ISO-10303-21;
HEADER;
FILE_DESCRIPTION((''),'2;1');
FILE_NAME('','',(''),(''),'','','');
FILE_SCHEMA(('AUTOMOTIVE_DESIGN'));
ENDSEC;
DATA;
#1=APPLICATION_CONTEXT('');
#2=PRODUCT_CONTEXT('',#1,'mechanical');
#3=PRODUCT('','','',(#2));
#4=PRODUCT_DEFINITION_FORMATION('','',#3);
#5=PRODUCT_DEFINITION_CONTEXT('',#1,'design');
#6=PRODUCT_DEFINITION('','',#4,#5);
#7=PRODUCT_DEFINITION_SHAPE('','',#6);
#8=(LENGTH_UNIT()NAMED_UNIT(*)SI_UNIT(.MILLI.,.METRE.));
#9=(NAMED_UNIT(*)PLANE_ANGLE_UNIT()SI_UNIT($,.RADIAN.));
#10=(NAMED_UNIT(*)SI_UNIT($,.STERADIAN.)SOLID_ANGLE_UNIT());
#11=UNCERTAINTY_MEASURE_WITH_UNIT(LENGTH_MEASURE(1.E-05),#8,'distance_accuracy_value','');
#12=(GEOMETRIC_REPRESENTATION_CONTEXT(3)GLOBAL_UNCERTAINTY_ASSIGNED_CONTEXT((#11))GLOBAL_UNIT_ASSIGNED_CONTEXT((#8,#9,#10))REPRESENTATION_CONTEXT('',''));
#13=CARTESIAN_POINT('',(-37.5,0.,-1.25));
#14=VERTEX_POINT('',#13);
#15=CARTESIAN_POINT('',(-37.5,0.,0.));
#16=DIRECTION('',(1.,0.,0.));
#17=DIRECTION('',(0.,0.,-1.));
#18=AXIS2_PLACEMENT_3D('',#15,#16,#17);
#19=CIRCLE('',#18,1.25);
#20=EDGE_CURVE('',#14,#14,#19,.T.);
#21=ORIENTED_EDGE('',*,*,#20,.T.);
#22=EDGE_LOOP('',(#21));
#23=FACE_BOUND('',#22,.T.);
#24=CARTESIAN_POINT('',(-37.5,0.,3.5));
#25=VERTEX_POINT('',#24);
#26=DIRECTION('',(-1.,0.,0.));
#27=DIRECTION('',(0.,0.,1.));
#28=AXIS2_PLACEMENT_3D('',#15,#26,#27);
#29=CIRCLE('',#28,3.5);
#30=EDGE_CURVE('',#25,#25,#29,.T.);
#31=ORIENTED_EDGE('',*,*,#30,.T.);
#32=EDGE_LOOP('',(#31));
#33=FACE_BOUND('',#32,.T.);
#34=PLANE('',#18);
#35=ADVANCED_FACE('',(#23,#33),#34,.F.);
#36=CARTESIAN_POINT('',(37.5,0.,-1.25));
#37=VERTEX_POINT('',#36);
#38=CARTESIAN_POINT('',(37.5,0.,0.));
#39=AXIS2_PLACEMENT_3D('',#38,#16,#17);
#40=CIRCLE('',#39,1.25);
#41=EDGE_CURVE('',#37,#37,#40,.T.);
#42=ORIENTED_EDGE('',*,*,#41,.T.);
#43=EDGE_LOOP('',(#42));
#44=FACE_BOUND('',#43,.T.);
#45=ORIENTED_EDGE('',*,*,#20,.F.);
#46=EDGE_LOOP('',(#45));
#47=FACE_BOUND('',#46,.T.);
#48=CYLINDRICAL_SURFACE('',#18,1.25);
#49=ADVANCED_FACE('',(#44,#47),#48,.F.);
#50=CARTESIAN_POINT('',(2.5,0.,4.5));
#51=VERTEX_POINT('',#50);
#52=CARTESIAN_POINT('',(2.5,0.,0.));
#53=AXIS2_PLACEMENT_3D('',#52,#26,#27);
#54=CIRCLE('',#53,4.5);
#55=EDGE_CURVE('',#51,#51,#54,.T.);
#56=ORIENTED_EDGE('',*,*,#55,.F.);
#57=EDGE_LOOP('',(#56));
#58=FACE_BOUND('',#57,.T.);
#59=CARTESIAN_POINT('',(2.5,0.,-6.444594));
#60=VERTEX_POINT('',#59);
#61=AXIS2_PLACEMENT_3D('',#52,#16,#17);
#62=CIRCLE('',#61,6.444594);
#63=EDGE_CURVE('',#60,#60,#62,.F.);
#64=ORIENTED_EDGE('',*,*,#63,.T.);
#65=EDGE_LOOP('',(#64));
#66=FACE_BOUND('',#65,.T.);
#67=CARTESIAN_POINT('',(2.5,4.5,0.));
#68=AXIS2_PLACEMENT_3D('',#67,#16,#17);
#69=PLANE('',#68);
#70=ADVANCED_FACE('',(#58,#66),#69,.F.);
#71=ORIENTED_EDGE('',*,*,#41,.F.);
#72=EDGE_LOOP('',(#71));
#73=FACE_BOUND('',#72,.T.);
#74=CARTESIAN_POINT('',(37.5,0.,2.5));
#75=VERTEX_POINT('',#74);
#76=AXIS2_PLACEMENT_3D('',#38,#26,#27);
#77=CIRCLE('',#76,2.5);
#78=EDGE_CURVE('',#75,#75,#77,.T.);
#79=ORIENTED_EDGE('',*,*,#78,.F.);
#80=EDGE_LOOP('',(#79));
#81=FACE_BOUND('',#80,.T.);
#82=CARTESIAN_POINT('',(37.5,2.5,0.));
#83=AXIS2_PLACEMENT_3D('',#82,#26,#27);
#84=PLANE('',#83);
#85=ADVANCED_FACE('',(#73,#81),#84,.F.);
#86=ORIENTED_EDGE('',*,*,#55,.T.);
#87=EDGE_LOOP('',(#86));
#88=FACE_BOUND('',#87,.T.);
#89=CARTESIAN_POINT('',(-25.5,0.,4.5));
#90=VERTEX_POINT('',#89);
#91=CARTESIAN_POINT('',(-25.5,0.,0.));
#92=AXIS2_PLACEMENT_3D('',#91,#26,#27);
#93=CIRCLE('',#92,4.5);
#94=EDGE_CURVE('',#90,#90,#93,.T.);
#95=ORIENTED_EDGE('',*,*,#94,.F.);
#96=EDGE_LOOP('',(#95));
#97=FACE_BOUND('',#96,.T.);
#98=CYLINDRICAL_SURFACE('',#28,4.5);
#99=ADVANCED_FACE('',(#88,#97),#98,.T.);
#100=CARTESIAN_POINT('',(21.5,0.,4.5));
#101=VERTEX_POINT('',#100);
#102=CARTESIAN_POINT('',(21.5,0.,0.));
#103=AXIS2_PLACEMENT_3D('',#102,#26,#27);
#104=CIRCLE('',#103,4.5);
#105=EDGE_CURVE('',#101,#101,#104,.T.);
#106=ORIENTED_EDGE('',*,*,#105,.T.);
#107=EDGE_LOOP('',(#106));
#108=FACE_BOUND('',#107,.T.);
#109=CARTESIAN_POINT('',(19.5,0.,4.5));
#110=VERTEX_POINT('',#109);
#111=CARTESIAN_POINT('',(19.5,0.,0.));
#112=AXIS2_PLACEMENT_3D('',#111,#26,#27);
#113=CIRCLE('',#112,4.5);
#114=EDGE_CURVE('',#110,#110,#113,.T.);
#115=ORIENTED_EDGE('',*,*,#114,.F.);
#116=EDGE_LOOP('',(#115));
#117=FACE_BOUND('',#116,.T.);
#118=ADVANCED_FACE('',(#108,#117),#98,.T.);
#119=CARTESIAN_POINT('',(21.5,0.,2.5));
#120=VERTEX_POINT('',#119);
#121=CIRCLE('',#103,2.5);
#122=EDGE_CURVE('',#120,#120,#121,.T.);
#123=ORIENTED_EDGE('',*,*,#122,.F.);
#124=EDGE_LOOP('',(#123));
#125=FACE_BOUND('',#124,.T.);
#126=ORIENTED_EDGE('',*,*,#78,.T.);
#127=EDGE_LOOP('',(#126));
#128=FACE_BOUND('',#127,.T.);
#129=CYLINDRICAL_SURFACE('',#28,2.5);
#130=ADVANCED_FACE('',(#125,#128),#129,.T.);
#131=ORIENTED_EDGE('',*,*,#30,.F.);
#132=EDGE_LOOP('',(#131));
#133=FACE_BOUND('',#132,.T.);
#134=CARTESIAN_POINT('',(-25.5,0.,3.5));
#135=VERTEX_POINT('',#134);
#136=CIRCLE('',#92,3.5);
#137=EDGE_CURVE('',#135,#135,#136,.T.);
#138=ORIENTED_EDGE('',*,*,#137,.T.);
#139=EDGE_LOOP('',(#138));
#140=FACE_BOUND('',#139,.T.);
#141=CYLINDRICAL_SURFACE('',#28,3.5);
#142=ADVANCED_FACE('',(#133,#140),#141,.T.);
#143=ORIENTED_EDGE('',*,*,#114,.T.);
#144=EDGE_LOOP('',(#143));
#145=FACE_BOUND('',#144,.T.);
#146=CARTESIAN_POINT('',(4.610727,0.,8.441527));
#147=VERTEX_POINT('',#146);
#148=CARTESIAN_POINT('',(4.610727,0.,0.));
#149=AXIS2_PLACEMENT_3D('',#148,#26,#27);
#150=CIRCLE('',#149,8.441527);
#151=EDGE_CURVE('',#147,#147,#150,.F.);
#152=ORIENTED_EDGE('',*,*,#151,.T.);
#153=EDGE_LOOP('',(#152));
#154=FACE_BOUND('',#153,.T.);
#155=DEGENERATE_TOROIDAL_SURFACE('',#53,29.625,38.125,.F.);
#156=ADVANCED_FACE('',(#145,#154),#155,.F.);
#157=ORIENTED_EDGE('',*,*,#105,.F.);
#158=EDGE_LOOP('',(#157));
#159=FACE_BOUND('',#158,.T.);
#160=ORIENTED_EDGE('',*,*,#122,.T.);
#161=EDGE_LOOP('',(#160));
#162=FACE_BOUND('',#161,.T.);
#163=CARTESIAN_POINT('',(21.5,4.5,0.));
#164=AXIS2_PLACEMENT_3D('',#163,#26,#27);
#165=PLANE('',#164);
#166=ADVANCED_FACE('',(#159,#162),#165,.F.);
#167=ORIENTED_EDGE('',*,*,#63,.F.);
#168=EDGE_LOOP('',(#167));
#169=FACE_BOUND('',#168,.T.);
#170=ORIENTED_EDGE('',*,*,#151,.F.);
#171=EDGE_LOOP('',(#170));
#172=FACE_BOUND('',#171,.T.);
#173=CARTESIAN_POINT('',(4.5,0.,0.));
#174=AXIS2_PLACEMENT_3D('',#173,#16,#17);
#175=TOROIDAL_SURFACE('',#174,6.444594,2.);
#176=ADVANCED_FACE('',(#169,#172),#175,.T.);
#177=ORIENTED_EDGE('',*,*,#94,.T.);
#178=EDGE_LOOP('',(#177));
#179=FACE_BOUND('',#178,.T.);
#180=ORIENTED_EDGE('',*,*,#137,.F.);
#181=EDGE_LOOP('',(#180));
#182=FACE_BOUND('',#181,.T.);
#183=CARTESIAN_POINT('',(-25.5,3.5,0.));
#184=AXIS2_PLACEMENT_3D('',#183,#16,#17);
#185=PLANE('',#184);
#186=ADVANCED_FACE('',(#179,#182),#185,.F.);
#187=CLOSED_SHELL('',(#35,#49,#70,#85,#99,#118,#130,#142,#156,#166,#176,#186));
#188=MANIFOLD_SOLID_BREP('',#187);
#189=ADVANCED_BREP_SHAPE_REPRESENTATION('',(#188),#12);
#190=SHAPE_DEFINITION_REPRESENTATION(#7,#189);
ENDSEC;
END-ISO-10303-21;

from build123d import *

# Parameters (mm, degrees)
REDONDEO1_R           = 2
CROQUIS2_R            = 1.25
CORTAR_EXTRUIR1_DEPTH = 76.944863877


with BuildPart() as part:
    # Croquis1 → Revolución1 (revolve)
    with BuildSketch(Plane.XY, mode=Mode.PRIVATE) as revoluci_n1_sk:
        with BuildLine():
            Line((-37.5, 0), (37.5, 0))
            Line((37.5, 0), (37.5, 2.5))
            Line((37.5, 2.5), (21.5, 2.5))
            Line((21.5, 2.5), (21.5, 4.5))
            Line((21.5, 4.5), (19.5, 4.5))
            ThreePointArc((19.5, 4.5), (11.232124598, 7.486529543), (2.5, 8.5))
            Line((2.5, 8.5), (2.5, 4.5))
            Line((2.5, 4.5), (-25.5, 4.5))
            Line((-25.5, 4.5), (-25.5, 3.5))
            Line((-25.5, 3.5), (-37.5, 3.5))
            Line((-37.5, 3.5), (-37.5, 0))
        make_face()
    revolve(revoluci_n1_sk.sketch.rotate(Axis((-37.5, 0, 0), (1, 0, 0)), 90), axis=Axis((-37.5, 0, 0), (1, 0, 0)))

    # Redondeo1
    redondeo1_edges = [part.edges().sort_by_distance(p)[0] for p in [
        (2.5, 0, -8.5),
    ]]
    fillet(redondeo1_edges, radius=REDONDEO1_R)

    # Croquis2 → Cortar-Extruir1 (cut, through all)
    with BuildSketch(Plane(origin=(37.5, 0, 0), x_dir=(0, 0, -1), z_dir=(1, 0, 0))):
        Circle(CROQUIS2_R)
    extrude(amount=-CORTAR_EXTRUIR1_DEPTH, mode=Mode.SUBTRACT)


solid = part.part
